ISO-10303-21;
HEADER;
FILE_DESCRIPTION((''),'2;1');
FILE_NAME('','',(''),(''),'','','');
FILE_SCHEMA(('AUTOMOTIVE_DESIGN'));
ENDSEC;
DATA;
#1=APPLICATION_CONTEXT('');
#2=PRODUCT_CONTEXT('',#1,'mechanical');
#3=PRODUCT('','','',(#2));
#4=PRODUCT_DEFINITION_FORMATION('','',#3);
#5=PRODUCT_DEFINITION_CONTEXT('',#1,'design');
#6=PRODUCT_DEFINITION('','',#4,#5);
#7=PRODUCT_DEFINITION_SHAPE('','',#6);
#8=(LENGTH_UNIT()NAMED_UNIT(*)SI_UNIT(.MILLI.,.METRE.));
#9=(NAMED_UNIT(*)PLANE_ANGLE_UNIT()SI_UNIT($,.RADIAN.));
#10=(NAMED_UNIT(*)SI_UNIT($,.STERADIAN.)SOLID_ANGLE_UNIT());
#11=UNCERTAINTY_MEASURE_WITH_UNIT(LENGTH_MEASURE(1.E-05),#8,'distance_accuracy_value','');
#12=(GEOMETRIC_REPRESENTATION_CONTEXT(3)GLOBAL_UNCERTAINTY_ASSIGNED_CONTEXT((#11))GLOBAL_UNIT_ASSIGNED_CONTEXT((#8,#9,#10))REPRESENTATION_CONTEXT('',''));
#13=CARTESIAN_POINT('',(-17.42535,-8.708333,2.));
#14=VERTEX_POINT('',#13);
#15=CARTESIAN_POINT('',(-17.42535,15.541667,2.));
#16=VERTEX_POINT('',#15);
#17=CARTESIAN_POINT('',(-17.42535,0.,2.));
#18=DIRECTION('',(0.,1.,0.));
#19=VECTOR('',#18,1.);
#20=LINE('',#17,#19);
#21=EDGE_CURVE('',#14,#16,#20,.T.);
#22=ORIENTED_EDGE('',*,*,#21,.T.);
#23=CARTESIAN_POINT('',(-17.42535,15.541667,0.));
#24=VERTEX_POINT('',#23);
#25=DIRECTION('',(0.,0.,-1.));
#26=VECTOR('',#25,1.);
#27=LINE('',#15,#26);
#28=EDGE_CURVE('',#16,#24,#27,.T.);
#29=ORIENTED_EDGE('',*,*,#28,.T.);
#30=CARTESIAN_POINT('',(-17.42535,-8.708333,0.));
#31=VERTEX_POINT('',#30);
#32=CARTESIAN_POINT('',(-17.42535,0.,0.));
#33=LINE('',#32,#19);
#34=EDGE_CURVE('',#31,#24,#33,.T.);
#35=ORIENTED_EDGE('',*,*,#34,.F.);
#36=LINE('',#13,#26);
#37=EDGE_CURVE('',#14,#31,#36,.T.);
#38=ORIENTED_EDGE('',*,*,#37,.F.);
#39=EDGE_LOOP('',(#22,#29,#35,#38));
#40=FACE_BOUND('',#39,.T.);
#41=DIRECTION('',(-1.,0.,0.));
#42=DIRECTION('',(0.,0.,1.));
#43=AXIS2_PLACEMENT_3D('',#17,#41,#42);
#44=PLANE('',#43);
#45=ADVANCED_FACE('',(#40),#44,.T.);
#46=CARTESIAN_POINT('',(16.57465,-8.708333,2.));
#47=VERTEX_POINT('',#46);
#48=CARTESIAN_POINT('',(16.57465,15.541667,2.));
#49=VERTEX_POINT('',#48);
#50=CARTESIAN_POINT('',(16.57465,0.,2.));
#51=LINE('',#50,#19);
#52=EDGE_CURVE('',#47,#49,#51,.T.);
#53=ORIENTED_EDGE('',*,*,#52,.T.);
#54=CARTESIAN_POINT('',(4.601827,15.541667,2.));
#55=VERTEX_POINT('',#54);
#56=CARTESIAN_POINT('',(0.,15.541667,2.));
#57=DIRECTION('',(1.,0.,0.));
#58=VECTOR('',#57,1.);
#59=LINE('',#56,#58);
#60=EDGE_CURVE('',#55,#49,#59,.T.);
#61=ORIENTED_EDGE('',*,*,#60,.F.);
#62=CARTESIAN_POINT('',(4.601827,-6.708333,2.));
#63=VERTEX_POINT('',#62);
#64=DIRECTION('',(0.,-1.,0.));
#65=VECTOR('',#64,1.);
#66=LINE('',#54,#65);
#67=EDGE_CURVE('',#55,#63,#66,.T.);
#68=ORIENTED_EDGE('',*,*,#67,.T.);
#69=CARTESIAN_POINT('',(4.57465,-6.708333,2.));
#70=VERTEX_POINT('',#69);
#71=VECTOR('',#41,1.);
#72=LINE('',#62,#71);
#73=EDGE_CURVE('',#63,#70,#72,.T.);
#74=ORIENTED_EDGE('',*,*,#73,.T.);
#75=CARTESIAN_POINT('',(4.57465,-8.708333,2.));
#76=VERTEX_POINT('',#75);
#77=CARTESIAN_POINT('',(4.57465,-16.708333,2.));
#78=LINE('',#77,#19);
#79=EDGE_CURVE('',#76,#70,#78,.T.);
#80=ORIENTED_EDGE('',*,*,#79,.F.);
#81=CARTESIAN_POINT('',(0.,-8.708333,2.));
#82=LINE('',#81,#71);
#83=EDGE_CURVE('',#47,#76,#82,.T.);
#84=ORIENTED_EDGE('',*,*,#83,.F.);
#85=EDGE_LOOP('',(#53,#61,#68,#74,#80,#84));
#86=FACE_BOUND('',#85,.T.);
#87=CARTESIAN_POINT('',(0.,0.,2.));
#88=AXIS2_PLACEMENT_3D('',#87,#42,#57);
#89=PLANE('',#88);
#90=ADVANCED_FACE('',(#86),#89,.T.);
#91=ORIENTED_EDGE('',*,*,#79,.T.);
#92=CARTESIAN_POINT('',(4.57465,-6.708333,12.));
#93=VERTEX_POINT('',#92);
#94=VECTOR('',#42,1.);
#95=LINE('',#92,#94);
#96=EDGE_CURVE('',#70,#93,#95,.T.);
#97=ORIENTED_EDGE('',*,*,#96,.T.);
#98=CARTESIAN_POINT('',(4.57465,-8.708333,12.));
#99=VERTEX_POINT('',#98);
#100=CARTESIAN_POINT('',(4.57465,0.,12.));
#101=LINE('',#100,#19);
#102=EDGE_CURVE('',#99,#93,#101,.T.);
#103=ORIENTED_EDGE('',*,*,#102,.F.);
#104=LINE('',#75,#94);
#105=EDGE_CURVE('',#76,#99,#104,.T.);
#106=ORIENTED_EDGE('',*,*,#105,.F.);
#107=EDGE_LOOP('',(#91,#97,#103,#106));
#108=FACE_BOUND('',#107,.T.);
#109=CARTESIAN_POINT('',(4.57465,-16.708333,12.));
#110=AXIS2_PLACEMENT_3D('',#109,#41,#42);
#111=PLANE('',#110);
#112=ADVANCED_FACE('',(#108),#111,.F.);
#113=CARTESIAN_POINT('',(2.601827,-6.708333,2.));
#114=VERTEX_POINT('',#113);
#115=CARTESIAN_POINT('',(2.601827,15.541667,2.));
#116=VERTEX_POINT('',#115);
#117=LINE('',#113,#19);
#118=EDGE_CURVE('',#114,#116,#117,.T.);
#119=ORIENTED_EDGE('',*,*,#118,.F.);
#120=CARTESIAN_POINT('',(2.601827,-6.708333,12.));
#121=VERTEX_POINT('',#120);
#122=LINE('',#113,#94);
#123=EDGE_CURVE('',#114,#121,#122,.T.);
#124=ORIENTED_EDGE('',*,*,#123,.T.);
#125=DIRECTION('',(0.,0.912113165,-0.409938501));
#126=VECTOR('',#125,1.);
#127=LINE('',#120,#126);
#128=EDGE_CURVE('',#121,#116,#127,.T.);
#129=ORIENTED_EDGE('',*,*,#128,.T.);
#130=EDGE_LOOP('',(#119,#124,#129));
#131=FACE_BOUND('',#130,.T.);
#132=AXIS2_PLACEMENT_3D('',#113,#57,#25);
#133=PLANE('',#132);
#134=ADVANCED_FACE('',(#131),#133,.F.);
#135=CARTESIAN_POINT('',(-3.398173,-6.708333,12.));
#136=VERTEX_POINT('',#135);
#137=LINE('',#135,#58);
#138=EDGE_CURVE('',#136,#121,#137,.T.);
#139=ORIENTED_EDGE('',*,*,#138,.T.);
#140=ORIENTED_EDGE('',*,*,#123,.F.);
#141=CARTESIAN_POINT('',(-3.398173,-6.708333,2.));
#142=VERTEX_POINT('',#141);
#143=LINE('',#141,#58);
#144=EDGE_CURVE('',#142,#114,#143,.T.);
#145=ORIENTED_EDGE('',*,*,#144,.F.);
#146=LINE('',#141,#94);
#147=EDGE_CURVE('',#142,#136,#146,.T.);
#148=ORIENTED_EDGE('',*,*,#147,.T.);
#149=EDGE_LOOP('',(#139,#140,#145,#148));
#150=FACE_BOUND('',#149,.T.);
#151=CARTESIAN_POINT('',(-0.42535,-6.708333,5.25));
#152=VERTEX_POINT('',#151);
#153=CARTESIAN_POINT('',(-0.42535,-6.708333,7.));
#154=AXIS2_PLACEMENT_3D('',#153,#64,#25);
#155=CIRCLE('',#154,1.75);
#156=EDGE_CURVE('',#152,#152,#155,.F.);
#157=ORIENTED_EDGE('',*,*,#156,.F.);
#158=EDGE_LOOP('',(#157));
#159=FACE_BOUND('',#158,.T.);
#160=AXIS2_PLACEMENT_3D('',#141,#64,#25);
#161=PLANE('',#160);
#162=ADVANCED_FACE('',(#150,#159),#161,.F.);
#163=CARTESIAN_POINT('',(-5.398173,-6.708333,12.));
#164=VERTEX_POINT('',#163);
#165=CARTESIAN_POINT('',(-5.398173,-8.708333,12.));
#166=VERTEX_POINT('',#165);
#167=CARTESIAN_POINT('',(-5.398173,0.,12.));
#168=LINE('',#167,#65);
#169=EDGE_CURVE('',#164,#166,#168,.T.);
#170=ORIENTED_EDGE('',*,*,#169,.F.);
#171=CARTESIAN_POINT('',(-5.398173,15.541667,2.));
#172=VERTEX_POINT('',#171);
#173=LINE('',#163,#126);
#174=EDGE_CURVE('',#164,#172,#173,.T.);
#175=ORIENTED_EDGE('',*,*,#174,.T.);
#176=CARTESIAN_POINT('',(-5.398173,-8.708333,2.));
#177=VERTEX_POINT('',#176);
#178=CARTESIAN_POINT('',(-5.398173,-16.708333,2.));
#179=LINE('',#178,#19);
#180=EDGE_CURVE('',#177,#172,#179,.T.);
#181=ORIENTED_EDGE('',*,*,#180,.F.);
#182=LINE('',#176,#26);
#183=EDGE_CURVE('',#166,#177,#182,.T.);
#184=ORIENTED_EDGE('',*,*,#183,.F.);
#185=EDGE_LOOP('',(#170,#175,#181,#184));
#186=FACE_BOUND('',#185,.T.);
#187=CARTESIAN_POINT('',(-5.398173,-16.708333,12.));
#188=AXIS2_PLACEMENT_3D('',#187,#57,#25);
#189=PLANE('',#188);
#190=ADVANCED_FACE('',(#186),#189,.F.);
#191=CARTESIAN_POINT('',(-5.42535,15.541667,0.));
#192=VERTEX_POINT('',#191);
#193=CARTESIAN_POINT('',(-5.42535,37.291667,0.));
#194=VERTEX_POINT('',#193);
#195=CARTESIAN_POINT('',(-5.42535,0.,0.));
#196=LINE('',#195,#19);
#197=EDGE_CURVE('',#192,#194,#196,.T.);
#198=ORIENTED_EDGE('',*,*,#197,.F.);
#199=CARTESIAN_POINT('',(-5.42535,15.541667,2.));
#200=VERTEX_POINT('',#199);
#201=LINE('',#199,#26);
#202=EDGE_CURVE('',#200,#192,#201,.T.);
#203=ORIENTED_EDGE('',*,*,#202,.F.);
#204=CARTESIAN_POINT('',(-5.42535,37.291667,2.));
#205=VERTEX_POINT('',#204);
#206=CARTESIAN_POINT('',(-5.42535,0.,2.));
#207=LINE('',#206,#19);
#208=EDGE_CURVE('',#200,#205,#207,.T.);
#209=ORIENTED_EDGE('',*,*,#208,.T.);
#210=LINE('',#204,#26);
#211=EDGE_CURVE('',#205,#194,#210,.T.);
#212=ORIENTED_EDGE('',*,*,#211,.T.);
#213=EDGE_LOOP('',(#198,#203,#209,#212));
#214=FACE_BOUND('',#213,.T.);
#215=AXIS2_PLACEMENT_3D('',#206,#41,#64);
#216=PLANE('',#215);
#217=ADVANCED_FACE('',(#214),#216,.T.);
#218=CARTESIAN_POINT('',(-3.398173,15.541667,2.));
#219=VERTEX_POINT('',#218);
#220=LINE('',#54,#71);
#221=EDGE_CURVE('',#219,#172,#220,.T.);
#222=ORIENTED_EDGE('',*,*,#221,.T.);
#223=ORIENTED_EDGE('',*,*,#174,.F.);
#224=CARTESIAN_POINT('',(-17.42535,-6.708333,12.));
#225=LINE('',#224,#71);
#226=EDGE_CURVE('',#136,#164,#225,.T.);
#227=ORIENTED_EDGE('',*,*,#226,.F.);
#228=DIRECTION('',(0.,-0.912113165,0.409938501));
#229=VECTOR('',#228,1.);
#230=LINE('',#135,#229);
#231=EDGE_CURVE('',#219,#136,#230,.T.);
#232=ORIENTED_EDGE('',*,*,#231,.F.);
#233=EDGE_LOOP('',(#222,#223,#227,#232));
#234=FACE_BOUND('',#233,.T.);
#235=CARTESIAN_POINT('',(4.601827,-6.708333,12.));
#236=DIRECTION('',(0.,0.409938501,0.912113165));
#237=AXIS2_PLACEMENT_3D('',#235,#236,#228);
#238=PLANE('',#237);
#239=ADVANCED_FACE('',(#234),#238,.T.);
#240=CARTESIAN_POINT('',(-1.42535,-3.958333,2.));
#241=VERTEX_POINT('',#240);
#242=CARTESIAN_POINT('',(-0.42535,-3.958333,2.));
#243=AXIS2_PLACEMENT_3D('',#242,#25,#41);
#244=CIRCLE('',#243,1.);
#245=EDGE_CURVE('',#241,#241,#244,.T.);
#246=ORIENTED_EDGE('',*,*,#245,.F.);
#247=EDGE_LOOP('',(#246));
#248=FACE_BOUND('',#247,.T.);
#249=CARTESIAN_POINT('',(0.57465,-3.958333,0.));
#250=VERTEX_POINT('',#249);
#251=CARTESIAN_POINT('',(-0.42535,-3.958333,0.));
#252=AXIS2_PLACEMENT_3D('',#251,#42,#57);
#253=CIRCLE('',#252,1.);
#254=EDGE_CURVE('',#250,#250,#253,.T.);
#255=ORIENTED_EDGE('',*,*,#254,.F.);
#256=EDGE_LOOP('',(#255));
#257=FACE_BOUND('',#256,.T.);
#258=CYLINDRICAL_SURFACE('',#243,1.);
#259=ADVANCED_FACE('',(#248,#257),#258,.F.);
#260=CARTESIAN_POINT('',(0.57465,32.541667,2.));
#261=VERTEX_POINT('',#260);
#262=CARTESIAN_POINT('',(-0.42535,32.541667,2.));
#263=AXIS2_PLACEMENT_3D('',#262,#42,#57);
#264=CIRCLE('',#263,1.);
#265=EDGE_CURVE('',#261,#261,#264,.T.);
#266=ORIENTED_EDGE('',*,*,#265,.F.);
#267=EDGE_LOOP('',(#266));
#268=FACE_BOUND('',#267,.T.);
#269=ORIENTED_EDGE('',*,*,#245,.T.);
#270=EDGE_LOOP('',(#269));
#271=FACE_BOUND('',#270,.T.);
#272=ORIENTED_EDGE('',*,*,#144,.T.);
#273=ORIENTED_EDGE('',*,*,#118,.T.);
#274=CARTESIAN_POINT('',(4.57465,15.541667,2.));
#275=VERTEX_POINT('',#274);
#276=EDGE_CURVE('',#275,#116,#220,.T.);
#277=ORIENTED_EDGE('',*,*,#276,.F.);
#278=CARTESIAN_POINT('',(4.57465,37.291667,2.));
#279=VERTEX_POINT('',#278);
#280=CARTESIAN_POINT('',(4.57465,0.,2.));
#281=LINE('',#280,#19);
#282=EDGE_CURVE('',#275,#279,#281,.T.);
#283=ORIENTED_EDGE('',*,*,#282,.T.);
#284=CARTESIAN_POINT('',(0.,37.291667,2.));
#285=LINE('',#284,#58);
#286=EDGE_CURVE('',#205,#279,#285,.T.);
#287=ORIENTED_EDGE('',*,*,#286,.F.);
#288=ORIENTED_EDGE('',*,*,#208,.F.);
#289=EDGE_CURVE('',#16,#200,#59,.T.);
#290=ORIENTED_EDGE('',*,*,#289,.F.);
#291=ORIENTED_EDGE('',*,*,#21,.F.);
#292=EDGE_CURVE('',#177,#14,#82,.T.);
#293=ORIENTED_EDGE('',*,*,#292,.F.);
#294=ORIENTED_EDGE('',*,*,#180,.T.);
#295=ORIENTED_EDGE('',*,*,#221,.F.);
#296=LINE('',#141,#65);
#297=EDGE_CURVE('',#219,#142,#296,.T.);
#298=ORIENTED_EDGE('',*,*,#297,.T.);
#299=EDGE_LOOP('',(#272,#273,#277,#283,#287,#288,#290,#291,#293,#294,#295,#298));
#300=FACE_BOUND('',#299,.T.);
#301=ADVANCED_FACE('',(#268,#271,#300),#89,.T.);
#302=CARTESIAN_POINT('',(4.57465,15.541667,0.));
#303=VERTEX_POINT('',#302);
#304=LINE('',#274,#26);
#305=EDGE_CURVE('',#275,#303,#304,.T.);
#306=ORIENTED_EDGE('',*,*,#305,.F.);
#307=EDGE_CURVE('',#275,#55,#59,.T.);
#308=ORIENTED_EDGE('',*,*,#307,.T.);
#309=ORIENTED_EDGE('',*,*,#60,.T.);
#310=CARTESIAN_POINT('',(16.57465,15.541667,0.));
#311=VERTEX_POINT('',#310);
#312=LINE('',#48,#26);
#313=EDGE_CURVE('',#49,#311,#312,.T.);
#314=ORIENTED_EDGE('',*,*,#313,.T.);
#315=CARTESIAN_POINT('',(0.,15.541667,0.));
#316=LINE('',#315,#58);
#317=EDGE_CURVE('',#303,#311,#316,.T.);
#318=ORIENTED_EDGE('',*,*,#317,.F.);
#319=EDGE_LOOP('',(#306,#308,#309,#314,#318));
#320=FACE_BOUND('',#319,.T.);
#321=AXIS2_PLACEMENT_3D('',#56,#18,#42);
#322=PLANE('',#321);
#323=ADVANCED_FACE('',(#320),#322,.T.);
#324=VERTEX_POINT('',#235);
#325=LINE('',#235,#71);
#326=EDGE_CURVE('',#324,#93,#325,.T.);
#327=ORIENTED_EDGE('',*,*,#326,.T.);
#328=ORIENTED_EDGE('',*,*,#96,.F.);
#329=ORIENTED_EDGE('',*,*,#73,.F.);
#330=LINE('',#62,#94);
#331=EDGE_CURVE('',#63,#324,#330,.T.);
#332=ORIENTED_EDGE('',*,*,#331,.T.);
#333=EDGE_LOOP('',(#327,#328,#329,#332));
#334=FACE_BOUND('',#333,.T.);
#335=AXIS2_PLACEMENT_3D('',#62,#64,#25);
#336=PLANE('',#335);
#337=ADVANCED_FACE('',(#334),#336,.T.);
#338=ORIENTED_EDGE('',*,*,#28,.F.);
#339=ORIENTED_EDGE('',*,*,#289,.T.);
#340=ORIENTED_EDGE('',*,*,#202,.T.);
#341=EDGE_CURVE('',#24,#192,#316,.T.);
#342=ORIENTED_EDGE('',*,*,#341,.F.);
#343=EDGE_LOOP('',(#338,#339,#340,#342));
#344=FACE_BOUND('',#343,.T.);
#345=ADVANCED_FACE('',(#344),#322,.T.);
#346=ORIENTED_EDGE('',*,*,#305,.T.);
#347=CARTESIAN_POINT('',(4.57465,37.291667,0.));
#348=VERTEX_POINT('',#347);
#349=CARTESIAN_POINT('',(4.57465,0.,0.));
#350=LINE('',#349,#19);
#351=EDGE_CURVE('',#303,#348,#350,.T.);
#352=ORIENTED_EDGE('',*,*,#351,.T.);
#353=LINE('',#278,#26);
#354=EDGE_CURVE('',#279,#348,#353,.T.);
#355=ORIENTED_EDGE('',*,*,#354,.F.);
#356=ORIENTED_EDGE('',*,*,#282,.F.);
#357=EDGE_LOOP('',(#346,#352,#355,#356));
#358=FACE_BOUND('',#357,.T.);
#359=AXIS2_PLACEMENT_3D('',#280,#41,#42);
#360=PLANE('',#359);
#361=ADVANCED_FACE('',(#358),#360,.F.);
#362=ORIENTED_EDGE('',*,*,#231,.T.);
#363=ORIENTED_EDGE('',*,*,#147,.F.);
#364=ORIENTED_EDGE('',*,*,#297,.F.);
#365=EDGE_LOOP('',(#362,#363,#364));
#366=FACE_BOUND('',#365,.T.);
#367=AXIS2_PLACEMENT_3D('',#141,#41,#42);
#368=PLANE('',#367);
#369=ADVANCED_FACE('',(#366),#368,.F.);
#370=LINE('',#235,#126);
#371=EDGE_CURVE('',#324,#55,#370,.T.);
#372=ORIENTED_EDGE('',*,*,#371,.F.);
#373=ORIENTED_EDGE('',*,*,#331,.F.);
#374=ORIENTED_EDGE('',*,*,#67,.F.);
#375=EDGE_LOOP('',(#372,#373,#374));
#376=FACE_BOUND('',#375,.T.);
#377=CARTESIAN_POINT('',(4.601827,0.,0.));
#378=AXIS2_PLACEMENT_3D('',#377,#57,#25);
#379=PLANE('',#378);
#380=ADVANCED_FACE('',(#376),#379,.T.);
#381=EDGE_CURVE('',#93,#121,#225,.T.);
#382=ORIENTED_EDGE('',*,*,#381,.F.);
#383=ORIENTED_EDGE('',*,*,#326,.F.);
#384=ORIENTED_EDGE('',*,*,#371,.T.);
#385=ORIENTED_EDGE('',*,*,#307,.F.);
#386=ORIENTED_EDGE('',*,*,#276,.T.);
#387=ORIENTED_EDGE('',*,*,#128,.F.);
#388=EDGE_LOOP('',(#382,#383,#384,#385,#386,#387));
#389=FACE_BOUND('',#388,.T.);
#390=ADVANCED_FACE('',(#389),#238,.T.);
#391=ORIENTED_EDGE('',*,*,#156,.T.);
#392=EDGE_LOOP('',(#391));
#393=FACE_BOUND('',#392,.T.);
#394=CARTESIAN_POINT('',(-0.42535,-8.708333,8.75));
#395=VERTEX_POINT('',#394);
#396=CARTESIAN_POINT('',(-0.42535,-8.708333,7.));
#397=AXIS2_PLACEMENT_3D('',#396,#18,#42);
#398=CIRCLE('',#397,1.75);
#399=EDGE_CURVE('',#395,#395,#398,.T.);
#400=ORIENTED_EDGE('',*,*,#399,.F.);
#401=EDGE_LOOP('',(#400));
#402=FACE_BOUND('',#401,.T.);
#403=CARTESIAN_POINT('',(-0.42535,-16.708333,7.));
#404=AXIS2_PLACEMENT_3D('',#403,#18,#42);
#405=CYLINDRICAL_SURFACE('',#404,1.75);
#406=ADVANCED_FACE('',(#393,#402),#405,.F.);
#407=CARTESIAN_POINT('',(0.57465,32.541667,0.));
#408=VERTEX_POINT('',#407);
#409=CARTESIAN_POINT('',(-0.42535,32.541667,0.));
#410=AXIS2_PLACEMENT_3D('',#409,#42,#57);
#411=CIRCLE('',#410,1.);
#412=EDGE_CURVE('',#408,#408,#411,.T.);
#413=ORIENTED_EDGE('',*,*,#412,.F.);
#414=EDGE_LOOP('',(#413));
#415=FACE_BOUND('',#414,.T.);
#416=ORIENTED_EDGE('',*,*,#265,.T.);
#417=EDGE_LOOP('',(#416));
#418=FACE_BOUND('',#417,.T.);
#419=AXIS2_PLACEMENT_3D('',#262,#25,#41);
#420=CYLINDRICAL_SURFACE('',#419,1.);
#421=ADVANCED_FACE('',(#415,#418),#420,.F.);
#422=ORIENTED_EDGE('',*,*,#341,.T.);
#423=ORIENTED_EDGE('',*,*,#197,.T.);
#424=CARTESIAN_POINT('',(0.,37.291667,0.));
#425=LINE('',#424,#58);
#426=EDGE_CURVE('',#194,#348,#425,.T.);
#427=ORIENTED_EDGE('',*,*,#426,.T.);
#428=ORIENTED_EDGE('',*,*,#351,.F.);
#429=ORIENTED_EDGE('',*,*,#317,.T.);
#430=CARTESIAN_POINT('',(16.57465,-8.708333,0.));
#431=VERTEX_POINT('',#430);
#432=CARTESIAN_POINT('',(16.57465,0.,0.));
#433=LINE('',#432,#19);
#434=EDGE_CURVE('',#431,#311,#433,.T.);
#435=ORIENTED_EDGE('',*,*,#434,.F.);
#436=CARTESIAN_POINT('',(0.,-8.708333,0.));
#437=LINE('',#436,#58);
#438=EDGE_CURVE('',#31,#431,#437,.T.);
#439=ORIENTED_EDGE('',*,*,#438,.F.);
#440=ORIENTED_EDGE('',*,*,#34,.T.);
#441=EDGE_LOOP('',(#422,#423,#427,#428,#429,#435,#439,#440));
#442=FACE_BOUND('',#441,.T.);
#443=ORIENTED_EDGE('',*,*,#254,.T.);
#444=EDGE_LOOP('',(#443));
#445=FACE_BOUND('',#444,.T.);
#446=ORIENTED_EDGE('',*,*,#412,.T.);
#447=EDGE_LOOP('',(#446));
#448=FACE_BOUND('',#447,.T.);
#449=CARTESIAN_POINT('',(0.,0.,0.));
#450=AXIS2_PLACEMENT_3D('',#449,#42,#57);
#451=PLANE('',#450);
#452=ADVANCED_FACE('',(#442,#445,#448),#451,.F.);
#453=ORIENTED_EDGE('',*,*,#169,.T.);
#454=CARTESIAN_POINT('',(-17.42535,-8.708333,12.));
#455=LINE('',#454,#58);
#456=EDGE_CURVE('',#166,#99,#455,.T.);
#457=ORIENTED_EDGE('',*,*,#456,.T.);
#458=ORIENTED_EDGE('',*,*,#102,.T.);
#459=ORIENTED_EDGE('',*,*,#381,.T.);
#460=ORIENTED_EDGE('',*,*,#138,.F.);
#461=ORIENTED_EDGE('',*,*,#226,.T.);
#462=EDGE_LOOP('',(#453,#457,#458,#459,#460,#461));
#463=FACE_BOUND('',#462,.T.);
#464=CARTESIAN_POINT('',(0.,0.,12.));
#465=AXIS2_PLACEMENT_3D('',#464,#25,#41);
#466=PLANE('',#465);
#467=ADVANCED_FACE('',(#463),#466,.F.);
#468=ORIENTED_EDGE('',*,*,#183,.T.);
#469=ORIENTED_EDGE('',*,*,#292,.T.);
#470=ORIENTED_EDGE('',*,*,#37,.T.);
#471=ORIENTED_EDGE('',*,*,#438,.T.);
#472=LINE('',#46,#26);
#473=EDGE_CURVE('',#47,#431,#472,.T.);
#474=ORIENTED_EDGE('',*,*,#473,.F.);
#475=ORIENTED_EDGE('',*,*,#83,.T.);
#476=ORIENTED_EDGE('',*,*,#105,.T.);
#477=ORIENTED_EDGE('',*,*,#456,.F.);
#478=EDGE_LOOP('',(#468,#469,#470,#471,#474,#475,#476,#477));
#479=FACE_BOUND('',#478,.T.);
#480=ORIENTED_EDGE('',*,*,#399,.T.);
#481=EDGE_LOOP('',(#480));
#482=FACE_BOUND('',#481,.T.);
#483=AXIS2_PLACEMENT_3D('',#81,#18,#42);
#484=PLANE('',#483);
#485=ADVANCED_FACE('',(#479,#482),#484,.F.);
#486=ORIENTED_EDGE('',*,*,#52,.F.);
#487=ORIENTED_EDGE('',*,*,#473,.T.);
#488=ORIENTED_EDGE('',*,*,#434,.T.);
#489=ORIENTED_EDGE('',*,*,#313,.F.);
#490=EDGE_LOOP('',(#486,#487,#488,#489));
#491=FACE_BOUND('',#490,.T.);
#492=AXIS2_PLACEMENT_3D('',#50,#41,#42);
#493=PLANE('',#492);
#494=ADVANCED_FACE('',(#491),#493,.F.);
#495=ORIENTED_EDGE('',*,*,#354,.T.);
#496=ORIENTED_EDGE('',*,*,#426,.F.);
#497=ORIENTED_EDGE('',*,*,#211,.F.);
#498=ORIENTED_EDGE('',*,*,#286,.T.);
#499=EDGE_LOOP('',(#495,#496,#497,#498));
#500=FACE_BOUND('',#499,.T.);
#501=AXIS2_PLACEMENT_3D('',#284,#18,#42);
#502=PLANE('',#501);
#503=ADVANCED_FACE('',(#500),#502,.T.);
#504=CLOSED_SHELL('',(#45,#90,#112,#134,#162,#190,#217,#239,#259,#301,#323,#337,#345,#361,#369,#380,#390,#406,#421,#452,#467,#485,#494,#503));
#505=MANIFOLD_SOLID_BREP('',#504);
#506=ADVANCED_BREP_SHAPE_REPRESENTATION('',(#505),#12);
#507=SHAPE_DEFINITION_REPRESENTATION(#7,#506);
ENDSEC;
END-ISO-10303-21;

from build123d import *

# Parameters (mm, degrees)
ESBO_O1_R                = 1
RESSALTO_EXTRUS_O1_DEPTH = 2
ESBO_O2_W                = 34
ESBO_O2_H                = 2
RESSALTO_EXTRUS_O2_DEPTH = 10
ESBO_O3_R                = 1.75
CORTE_EXTRUS_O1_DEPTH    = 10
ESBO_O4_W                = 12.027176897
ESBO_O4_H                = 10
ESBO_O4_W_2              = 12
CORTE_EXTRUS_O2_DEPTH    = 10
RESSALTO_EXTRUS_O3_DEPTH = 10
ESBO_O6_W                = 6
ESBO_O6_H                = 22.25
CORTE_EXTRUS_O3_DEPTH    = 10


with BuildPart() as part:
    # Esboço1 → Ressalto-extrusão1 (new body)
    with BuildSketch(Plane.XY):
        Polygon((-17.425350174, 15.541666667), (-5.425350174, 15.541666667), (-5.425350174, 37.291666667), (4.574649826, 37.291666667), (4.574649826, 15.541666667), (16.574649826, 15.541666667), (16.574649826, -8.708333333), (-17.425350174, -8.708333333), align=None)
        with Locations((-0.425350174, 32.541666667)):
            Circle(ESBO_O1_R, mode=Mode.SUBTRACT)
        with Locations((-0.425350174, -3.958333333)):
            Circle(ESBO_O1_R, mode=Mode.SUBTRACT)
    extrude(amount=RESSALTO_EXTRUS_O1_DEPTH)

    # Esboço2 → Ressalto-extrusão2 (add)
    with BuildSketch(Plane.XY.offset(2)):
        with Locations((-0.425350174, -7.708333333)):
            Rectangle(ESBO_O2_W, ESBO_O2_H)
    extrude(amount=RESSALTO_EXTRUS_O2_DEPTH)

    # Esboço3 → Corte-extrusão1 (cut)
    with BuildSketch(Plane(origin=(0, -6.708333333, 0), x_dir=(1, 0, 0), z_dir=(0, 1, 0))):
        with Locations(Location((-0.425350174, -7, 0), (0, 0, 270))):
            Circle(ESBO_O3_R)
    extrude(amount=-CORTE_EXTRUS_O1_DEPTH, mode=Mode.SUBTRACT)

    # Esboço4 → Corte-extrusão2 (cut)
    with BuildSketch(Plane(origin=(0, -6.708333333, 0), x_dir=(1, 0, 0), z_dir=(0, 1, 0))):
        with Locations((-11.411761726, -7)):
            Rectangle(ESBO_O4_W, ESBO_O4_H)
        with Locations((10.574649826, -7)):
            Rectangle(ESBO_O4_W_2, ESBO_O4_H)
    extrude(amount=-CORTE_EXTRUS_O2_DEPTH, mode=Mode.SUBTRACT)

    # Esboço5 → Ressalto-extrusão3 (add)
    with BuildSketch(Plane.ZY.offset(5.398173277)):
        Polygon((12, -6.708333333), (2, 15.541666667), (2, -6.708333333), align=None)
    extrude(amount=-RESSALTO_EXTRUS_O3_DEPTH)

    # Esboço6 → Corte-extrusão3 (cut)
    with BuildSketch(Plane.XY.offset(12)):
        with Locations((-0.398173277, 4.416666667)):
            Rectangle(ESBO_O6_W, ESBO_O6_H)
    extrude(amount=-CORTE_EXTRUS_O3_DEPTH, mode=Mode.SUBTRACT)


solid = part.part
